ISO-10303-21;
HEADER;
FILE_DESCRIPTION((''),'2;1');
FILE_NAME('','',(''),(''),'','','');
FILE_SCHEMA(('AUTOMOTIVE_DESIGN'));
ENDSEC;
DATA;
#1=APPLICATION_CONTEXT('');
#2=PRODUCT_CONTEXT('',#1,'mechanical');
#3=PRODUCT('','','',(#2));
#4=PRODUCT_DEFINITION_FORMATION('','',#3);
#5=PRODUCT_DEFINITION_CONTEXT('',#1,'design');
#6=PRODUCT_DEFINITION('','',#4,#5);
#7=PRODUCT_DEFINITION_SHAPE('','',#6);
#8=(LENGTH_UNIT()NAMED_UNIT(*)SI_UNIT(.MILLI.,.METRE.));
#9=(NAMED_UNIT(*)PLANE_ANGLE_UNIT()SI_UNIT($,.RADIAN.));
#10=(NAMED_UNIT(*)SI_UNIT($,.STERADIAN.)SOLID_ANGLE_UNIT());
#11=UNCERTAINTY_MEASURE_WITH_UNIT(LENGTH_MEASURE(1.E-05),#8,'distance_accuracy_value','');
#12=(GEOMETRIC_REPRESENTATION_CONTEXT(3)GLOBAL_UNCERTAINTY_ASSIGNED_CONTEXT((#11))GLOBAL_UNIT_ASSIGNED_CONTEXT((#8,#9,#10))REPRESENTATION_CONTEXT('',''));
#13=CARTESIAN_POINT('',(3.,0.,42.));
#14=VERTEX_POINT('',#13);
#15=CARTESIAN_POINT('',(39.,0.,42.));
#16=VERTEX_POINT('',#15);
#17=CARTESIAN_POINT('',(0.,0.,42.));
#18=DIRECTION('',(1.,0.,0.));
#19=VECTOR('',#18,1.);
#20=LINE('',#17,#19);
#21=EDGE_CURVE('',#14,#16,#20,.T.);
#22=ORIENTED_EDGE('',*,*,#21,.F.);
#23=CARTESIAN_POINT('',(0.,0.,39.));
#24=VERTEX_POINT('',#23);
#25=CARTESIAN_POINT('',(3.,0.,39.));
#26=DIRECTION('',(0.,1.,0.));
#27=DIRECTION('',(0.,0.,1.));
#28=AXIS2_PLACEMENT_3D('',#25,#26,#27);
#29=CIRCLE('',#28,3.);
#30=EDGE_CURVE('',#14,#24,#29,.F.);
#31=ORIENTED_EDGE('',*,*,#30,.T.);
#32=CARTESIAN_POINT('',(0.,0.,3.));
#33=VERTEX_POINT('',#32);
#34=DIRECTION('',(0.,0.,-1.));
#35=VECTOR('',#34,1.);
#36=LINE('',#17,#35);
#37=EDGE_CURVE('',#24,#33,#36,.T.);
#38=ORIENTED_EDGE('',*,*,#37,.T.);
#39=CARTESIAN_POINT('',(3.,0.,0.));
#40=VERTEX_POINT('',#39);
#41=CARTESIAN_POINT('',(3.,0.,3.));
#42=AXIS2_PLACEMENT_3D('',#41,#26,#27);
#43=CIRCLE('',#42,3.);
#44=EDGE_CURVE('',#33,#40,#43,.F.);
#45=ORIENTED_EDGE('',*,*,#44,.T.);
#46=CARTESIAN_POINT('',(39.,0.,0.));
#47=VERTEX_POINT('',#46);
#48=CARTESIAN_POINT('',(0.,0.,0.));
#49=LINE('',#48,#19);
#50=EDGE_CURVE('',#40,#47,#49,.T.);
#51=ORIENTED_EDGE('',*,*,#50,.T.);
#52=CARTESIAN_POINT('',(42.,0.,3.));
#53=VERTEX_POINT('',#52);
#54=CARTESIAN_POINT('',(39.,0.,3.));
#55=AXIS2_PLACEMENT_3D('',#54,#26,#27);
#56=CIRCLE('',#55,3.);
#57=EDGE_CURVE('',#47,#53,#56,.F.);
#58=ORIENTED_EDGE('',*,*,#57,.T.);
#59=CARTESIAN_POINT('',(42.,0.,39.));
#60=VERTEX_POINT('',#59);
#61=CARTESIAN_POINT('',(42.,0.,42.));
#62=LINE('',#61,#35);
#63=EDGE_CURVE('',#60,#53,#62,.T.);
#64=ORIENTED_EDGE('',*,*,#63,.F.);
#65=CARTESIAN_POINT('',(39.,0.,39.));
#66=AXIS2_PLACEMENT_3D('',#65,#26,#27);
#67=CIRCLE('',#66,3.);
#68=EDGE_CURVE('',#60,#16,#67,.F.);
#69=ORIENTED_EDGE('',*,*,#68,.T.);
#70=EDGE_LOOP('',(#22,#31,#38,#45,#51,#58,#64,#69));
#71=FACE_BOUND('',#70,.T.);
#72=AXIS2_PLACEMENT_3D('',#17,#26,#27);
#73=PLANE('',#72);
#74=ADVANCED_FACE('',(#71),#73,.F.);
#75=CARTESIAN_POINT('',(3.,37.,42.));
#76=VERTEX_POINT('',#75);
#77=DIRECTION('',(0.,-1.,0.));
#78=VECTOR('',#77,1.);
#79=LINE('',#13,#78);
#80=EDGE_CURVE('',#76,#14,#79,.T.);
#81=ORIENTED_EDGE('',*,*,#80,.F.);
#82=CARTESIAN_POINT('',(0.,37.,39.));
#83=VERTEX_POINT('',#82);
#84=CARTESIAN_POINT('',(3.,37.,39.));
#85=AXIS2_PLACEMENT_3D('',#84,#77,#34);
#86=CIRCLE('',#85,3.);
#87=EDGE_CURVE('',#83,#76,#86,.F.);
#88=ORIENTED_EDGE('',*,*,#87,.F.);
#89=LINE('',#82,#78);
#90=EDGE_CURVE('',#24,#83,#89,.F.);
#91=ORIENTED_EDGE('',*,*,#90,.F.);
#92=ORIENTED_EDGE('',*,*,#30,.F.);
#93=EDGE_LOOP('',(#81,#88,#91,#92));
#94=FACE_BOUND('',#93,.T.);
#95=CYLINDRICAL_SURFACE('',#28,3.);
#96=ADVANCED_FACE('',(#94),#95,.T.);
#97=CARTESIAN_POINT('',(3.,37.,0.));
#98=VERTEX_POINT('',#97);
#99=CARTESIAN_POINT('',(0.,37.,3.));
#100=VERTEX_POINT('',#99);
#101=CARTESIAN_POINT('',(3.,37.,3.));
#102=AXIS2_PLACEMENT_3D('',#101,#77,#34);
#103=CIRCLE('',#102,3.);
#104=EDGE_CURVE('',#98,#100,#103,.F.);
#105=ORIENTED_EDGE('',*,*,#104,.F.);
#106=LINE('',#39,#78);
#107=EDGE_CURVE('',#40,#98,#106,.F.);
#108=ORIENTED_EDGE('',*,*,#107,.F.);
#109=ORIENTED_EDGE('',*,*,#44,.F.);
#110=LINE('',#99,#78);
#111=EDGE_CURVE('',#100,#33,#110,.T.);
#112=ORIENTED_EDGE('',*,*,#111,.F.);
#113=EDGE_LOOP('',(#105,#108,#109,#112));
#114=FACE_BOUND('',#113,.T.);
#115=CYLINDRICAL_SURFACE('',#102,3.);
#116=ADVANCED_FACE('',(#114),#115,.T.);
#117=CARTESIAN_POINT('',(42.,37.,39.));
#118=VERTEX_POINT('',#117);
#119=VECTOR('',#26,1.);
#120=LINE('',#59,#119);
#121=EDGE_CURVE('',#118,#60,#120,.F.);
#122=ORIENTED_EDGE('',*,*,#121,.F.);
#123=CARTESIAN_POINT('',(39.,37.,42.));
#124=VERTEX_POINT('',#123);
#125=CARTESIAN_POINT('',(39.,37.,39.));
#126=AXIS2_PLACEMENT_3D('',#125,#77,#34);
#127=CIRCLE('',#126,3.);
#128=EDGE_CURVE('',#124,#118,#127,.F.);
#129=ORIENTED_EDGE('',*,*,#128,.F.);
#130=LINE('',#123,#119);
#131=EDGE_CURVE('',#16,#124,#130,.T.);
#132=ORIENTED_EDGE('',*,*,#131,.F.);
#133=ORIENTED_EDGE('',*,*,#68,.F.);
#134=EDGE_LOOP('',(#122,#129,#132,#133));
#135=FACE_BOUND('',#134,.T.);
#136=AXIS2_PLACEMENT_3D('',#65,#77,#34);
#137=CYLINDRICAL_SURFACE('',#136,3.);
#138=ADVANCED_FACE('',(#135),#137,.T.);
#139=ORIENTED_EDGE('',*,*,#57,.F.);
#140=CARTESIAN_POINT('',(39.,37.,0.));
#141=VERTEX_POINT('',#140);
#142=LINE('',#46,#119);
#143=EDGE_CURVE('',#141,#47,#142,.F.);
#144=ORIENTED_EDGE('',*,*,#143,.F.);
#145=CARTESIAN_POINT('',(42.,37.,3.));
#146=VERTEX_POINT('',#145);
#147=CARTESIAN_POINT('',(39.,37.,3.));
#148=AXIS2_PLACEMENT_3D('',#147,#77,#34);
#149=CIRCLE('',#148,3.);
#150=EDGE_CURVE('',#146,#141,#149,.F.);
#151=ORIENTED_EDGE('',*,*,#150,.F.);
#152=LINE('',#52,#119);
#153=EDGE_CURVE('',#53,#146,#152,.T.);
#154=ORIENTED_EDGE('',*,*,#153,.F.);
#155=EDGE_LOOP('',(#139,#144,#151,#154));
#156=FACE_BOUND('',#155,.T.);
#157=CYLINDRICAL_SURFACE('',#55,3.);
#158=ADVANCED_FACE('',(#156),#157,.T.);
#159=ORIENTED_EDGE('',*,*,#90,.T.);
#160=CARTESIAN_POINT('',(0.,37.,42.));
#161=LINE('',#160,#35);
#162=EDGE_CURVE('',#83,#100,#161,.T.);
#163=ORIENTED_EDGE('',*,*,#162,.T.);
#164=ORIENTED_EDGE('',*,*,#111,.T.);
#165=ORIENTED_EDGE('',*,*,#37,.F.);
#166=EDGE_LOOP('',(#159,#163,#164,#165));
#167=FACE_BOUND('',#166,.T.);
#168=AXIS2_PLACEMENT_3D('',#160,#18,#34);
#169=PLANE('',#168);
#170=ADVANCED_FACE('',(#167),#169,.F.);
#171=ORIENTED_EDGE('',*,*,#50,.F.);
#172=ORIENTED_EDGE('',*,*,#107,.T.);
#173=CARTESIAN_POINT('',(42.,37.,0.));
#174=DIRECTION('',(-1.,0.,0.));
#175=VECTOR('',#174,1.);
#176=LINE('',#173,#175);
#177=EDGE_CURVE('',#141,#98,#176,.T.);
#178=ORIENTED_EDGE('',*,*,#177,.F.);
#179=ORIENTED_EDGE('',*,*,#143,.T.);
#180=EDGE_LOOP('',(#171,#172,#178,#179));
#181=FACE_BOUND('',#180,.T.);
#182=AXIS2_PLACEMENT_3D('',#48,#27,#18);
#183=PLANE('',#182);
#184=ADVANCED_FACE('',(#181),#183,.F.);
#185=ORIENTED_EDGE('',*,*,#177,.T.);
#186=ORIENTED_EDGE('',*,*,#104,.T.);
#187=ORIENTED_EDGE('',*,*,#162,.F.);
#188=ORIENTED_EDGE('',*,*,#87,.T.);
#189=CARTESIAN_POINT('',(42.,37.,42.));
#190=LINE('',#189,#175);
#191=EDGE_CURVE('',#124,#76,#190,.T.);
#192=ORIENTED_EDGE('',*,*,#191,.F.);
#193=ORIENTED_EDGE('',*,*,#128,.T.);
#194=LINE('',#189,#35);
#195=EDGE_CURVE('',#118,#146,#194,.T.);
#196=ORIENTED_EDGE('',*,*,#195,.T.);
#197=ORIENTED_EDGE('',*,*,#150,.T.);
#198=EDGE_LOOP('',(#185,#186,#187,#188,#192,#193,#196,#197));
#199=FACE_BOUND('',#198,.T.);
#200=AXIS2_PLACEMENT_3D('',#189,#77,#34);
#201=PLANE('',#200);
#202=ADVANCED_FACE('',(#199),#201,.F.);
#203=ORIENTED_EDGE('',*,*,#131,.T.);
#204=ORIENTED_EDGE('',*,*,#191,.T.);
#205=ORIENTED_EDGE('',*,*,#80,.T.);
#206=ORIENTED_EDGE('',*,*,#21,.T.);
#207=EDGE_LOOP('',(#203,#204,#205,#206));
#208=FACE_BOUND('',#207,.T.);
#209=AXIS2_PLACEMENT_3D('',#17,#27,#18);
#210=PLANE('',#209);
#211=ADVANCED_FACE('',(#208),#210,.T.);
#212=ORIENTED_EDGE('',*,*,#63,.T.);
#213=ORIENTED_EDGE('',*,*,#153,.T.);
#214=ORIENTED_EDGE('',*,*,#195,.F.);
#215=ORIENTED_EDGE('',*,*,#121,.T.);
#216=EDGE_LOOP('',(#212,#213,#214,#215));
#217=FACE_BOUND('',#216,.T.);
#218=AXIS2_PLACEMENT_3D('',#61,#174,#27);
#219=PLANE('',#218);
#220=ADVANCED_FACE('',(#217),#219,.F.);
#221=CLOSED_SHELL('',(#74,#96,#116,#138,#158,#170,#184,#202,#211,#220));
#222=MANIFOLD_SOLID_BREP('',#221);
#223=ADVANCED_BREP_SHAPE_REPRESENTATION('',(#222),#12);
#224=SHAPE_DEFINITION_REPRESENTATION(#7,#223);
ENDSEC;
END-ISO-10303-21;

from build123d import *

# Parameters (mm, degrees)
SKETCH_1_W         = 42
SKETCH_1_H         = 37
BLOCKEXTRUDE_DEPTH = 42
FILLET_2_R         = 3


with BuildPart() as part:
    # 草图1 → BlockExtrude (new body)
    with BuildSketch(Plane.XY):
        with Locations((21, 18.5)):
            Rectangle(SKETCH_1_W, SKETCH_1_H)
    extrude(amount=BLOCKEXTRUDE_DEPTH)

    # Fillet 2
    fillet_2_edges = [part.edges().sort_by_distance(p)[0] for p in [
        (42, 18.5, 42),
        (0, 18.5, 42),
        (42, 18.5, 0),
        (0, 18.5, 0),
    ]]
    fillet(fillet_2_edges, radius=FILLET_2_R)


solid = part.part
